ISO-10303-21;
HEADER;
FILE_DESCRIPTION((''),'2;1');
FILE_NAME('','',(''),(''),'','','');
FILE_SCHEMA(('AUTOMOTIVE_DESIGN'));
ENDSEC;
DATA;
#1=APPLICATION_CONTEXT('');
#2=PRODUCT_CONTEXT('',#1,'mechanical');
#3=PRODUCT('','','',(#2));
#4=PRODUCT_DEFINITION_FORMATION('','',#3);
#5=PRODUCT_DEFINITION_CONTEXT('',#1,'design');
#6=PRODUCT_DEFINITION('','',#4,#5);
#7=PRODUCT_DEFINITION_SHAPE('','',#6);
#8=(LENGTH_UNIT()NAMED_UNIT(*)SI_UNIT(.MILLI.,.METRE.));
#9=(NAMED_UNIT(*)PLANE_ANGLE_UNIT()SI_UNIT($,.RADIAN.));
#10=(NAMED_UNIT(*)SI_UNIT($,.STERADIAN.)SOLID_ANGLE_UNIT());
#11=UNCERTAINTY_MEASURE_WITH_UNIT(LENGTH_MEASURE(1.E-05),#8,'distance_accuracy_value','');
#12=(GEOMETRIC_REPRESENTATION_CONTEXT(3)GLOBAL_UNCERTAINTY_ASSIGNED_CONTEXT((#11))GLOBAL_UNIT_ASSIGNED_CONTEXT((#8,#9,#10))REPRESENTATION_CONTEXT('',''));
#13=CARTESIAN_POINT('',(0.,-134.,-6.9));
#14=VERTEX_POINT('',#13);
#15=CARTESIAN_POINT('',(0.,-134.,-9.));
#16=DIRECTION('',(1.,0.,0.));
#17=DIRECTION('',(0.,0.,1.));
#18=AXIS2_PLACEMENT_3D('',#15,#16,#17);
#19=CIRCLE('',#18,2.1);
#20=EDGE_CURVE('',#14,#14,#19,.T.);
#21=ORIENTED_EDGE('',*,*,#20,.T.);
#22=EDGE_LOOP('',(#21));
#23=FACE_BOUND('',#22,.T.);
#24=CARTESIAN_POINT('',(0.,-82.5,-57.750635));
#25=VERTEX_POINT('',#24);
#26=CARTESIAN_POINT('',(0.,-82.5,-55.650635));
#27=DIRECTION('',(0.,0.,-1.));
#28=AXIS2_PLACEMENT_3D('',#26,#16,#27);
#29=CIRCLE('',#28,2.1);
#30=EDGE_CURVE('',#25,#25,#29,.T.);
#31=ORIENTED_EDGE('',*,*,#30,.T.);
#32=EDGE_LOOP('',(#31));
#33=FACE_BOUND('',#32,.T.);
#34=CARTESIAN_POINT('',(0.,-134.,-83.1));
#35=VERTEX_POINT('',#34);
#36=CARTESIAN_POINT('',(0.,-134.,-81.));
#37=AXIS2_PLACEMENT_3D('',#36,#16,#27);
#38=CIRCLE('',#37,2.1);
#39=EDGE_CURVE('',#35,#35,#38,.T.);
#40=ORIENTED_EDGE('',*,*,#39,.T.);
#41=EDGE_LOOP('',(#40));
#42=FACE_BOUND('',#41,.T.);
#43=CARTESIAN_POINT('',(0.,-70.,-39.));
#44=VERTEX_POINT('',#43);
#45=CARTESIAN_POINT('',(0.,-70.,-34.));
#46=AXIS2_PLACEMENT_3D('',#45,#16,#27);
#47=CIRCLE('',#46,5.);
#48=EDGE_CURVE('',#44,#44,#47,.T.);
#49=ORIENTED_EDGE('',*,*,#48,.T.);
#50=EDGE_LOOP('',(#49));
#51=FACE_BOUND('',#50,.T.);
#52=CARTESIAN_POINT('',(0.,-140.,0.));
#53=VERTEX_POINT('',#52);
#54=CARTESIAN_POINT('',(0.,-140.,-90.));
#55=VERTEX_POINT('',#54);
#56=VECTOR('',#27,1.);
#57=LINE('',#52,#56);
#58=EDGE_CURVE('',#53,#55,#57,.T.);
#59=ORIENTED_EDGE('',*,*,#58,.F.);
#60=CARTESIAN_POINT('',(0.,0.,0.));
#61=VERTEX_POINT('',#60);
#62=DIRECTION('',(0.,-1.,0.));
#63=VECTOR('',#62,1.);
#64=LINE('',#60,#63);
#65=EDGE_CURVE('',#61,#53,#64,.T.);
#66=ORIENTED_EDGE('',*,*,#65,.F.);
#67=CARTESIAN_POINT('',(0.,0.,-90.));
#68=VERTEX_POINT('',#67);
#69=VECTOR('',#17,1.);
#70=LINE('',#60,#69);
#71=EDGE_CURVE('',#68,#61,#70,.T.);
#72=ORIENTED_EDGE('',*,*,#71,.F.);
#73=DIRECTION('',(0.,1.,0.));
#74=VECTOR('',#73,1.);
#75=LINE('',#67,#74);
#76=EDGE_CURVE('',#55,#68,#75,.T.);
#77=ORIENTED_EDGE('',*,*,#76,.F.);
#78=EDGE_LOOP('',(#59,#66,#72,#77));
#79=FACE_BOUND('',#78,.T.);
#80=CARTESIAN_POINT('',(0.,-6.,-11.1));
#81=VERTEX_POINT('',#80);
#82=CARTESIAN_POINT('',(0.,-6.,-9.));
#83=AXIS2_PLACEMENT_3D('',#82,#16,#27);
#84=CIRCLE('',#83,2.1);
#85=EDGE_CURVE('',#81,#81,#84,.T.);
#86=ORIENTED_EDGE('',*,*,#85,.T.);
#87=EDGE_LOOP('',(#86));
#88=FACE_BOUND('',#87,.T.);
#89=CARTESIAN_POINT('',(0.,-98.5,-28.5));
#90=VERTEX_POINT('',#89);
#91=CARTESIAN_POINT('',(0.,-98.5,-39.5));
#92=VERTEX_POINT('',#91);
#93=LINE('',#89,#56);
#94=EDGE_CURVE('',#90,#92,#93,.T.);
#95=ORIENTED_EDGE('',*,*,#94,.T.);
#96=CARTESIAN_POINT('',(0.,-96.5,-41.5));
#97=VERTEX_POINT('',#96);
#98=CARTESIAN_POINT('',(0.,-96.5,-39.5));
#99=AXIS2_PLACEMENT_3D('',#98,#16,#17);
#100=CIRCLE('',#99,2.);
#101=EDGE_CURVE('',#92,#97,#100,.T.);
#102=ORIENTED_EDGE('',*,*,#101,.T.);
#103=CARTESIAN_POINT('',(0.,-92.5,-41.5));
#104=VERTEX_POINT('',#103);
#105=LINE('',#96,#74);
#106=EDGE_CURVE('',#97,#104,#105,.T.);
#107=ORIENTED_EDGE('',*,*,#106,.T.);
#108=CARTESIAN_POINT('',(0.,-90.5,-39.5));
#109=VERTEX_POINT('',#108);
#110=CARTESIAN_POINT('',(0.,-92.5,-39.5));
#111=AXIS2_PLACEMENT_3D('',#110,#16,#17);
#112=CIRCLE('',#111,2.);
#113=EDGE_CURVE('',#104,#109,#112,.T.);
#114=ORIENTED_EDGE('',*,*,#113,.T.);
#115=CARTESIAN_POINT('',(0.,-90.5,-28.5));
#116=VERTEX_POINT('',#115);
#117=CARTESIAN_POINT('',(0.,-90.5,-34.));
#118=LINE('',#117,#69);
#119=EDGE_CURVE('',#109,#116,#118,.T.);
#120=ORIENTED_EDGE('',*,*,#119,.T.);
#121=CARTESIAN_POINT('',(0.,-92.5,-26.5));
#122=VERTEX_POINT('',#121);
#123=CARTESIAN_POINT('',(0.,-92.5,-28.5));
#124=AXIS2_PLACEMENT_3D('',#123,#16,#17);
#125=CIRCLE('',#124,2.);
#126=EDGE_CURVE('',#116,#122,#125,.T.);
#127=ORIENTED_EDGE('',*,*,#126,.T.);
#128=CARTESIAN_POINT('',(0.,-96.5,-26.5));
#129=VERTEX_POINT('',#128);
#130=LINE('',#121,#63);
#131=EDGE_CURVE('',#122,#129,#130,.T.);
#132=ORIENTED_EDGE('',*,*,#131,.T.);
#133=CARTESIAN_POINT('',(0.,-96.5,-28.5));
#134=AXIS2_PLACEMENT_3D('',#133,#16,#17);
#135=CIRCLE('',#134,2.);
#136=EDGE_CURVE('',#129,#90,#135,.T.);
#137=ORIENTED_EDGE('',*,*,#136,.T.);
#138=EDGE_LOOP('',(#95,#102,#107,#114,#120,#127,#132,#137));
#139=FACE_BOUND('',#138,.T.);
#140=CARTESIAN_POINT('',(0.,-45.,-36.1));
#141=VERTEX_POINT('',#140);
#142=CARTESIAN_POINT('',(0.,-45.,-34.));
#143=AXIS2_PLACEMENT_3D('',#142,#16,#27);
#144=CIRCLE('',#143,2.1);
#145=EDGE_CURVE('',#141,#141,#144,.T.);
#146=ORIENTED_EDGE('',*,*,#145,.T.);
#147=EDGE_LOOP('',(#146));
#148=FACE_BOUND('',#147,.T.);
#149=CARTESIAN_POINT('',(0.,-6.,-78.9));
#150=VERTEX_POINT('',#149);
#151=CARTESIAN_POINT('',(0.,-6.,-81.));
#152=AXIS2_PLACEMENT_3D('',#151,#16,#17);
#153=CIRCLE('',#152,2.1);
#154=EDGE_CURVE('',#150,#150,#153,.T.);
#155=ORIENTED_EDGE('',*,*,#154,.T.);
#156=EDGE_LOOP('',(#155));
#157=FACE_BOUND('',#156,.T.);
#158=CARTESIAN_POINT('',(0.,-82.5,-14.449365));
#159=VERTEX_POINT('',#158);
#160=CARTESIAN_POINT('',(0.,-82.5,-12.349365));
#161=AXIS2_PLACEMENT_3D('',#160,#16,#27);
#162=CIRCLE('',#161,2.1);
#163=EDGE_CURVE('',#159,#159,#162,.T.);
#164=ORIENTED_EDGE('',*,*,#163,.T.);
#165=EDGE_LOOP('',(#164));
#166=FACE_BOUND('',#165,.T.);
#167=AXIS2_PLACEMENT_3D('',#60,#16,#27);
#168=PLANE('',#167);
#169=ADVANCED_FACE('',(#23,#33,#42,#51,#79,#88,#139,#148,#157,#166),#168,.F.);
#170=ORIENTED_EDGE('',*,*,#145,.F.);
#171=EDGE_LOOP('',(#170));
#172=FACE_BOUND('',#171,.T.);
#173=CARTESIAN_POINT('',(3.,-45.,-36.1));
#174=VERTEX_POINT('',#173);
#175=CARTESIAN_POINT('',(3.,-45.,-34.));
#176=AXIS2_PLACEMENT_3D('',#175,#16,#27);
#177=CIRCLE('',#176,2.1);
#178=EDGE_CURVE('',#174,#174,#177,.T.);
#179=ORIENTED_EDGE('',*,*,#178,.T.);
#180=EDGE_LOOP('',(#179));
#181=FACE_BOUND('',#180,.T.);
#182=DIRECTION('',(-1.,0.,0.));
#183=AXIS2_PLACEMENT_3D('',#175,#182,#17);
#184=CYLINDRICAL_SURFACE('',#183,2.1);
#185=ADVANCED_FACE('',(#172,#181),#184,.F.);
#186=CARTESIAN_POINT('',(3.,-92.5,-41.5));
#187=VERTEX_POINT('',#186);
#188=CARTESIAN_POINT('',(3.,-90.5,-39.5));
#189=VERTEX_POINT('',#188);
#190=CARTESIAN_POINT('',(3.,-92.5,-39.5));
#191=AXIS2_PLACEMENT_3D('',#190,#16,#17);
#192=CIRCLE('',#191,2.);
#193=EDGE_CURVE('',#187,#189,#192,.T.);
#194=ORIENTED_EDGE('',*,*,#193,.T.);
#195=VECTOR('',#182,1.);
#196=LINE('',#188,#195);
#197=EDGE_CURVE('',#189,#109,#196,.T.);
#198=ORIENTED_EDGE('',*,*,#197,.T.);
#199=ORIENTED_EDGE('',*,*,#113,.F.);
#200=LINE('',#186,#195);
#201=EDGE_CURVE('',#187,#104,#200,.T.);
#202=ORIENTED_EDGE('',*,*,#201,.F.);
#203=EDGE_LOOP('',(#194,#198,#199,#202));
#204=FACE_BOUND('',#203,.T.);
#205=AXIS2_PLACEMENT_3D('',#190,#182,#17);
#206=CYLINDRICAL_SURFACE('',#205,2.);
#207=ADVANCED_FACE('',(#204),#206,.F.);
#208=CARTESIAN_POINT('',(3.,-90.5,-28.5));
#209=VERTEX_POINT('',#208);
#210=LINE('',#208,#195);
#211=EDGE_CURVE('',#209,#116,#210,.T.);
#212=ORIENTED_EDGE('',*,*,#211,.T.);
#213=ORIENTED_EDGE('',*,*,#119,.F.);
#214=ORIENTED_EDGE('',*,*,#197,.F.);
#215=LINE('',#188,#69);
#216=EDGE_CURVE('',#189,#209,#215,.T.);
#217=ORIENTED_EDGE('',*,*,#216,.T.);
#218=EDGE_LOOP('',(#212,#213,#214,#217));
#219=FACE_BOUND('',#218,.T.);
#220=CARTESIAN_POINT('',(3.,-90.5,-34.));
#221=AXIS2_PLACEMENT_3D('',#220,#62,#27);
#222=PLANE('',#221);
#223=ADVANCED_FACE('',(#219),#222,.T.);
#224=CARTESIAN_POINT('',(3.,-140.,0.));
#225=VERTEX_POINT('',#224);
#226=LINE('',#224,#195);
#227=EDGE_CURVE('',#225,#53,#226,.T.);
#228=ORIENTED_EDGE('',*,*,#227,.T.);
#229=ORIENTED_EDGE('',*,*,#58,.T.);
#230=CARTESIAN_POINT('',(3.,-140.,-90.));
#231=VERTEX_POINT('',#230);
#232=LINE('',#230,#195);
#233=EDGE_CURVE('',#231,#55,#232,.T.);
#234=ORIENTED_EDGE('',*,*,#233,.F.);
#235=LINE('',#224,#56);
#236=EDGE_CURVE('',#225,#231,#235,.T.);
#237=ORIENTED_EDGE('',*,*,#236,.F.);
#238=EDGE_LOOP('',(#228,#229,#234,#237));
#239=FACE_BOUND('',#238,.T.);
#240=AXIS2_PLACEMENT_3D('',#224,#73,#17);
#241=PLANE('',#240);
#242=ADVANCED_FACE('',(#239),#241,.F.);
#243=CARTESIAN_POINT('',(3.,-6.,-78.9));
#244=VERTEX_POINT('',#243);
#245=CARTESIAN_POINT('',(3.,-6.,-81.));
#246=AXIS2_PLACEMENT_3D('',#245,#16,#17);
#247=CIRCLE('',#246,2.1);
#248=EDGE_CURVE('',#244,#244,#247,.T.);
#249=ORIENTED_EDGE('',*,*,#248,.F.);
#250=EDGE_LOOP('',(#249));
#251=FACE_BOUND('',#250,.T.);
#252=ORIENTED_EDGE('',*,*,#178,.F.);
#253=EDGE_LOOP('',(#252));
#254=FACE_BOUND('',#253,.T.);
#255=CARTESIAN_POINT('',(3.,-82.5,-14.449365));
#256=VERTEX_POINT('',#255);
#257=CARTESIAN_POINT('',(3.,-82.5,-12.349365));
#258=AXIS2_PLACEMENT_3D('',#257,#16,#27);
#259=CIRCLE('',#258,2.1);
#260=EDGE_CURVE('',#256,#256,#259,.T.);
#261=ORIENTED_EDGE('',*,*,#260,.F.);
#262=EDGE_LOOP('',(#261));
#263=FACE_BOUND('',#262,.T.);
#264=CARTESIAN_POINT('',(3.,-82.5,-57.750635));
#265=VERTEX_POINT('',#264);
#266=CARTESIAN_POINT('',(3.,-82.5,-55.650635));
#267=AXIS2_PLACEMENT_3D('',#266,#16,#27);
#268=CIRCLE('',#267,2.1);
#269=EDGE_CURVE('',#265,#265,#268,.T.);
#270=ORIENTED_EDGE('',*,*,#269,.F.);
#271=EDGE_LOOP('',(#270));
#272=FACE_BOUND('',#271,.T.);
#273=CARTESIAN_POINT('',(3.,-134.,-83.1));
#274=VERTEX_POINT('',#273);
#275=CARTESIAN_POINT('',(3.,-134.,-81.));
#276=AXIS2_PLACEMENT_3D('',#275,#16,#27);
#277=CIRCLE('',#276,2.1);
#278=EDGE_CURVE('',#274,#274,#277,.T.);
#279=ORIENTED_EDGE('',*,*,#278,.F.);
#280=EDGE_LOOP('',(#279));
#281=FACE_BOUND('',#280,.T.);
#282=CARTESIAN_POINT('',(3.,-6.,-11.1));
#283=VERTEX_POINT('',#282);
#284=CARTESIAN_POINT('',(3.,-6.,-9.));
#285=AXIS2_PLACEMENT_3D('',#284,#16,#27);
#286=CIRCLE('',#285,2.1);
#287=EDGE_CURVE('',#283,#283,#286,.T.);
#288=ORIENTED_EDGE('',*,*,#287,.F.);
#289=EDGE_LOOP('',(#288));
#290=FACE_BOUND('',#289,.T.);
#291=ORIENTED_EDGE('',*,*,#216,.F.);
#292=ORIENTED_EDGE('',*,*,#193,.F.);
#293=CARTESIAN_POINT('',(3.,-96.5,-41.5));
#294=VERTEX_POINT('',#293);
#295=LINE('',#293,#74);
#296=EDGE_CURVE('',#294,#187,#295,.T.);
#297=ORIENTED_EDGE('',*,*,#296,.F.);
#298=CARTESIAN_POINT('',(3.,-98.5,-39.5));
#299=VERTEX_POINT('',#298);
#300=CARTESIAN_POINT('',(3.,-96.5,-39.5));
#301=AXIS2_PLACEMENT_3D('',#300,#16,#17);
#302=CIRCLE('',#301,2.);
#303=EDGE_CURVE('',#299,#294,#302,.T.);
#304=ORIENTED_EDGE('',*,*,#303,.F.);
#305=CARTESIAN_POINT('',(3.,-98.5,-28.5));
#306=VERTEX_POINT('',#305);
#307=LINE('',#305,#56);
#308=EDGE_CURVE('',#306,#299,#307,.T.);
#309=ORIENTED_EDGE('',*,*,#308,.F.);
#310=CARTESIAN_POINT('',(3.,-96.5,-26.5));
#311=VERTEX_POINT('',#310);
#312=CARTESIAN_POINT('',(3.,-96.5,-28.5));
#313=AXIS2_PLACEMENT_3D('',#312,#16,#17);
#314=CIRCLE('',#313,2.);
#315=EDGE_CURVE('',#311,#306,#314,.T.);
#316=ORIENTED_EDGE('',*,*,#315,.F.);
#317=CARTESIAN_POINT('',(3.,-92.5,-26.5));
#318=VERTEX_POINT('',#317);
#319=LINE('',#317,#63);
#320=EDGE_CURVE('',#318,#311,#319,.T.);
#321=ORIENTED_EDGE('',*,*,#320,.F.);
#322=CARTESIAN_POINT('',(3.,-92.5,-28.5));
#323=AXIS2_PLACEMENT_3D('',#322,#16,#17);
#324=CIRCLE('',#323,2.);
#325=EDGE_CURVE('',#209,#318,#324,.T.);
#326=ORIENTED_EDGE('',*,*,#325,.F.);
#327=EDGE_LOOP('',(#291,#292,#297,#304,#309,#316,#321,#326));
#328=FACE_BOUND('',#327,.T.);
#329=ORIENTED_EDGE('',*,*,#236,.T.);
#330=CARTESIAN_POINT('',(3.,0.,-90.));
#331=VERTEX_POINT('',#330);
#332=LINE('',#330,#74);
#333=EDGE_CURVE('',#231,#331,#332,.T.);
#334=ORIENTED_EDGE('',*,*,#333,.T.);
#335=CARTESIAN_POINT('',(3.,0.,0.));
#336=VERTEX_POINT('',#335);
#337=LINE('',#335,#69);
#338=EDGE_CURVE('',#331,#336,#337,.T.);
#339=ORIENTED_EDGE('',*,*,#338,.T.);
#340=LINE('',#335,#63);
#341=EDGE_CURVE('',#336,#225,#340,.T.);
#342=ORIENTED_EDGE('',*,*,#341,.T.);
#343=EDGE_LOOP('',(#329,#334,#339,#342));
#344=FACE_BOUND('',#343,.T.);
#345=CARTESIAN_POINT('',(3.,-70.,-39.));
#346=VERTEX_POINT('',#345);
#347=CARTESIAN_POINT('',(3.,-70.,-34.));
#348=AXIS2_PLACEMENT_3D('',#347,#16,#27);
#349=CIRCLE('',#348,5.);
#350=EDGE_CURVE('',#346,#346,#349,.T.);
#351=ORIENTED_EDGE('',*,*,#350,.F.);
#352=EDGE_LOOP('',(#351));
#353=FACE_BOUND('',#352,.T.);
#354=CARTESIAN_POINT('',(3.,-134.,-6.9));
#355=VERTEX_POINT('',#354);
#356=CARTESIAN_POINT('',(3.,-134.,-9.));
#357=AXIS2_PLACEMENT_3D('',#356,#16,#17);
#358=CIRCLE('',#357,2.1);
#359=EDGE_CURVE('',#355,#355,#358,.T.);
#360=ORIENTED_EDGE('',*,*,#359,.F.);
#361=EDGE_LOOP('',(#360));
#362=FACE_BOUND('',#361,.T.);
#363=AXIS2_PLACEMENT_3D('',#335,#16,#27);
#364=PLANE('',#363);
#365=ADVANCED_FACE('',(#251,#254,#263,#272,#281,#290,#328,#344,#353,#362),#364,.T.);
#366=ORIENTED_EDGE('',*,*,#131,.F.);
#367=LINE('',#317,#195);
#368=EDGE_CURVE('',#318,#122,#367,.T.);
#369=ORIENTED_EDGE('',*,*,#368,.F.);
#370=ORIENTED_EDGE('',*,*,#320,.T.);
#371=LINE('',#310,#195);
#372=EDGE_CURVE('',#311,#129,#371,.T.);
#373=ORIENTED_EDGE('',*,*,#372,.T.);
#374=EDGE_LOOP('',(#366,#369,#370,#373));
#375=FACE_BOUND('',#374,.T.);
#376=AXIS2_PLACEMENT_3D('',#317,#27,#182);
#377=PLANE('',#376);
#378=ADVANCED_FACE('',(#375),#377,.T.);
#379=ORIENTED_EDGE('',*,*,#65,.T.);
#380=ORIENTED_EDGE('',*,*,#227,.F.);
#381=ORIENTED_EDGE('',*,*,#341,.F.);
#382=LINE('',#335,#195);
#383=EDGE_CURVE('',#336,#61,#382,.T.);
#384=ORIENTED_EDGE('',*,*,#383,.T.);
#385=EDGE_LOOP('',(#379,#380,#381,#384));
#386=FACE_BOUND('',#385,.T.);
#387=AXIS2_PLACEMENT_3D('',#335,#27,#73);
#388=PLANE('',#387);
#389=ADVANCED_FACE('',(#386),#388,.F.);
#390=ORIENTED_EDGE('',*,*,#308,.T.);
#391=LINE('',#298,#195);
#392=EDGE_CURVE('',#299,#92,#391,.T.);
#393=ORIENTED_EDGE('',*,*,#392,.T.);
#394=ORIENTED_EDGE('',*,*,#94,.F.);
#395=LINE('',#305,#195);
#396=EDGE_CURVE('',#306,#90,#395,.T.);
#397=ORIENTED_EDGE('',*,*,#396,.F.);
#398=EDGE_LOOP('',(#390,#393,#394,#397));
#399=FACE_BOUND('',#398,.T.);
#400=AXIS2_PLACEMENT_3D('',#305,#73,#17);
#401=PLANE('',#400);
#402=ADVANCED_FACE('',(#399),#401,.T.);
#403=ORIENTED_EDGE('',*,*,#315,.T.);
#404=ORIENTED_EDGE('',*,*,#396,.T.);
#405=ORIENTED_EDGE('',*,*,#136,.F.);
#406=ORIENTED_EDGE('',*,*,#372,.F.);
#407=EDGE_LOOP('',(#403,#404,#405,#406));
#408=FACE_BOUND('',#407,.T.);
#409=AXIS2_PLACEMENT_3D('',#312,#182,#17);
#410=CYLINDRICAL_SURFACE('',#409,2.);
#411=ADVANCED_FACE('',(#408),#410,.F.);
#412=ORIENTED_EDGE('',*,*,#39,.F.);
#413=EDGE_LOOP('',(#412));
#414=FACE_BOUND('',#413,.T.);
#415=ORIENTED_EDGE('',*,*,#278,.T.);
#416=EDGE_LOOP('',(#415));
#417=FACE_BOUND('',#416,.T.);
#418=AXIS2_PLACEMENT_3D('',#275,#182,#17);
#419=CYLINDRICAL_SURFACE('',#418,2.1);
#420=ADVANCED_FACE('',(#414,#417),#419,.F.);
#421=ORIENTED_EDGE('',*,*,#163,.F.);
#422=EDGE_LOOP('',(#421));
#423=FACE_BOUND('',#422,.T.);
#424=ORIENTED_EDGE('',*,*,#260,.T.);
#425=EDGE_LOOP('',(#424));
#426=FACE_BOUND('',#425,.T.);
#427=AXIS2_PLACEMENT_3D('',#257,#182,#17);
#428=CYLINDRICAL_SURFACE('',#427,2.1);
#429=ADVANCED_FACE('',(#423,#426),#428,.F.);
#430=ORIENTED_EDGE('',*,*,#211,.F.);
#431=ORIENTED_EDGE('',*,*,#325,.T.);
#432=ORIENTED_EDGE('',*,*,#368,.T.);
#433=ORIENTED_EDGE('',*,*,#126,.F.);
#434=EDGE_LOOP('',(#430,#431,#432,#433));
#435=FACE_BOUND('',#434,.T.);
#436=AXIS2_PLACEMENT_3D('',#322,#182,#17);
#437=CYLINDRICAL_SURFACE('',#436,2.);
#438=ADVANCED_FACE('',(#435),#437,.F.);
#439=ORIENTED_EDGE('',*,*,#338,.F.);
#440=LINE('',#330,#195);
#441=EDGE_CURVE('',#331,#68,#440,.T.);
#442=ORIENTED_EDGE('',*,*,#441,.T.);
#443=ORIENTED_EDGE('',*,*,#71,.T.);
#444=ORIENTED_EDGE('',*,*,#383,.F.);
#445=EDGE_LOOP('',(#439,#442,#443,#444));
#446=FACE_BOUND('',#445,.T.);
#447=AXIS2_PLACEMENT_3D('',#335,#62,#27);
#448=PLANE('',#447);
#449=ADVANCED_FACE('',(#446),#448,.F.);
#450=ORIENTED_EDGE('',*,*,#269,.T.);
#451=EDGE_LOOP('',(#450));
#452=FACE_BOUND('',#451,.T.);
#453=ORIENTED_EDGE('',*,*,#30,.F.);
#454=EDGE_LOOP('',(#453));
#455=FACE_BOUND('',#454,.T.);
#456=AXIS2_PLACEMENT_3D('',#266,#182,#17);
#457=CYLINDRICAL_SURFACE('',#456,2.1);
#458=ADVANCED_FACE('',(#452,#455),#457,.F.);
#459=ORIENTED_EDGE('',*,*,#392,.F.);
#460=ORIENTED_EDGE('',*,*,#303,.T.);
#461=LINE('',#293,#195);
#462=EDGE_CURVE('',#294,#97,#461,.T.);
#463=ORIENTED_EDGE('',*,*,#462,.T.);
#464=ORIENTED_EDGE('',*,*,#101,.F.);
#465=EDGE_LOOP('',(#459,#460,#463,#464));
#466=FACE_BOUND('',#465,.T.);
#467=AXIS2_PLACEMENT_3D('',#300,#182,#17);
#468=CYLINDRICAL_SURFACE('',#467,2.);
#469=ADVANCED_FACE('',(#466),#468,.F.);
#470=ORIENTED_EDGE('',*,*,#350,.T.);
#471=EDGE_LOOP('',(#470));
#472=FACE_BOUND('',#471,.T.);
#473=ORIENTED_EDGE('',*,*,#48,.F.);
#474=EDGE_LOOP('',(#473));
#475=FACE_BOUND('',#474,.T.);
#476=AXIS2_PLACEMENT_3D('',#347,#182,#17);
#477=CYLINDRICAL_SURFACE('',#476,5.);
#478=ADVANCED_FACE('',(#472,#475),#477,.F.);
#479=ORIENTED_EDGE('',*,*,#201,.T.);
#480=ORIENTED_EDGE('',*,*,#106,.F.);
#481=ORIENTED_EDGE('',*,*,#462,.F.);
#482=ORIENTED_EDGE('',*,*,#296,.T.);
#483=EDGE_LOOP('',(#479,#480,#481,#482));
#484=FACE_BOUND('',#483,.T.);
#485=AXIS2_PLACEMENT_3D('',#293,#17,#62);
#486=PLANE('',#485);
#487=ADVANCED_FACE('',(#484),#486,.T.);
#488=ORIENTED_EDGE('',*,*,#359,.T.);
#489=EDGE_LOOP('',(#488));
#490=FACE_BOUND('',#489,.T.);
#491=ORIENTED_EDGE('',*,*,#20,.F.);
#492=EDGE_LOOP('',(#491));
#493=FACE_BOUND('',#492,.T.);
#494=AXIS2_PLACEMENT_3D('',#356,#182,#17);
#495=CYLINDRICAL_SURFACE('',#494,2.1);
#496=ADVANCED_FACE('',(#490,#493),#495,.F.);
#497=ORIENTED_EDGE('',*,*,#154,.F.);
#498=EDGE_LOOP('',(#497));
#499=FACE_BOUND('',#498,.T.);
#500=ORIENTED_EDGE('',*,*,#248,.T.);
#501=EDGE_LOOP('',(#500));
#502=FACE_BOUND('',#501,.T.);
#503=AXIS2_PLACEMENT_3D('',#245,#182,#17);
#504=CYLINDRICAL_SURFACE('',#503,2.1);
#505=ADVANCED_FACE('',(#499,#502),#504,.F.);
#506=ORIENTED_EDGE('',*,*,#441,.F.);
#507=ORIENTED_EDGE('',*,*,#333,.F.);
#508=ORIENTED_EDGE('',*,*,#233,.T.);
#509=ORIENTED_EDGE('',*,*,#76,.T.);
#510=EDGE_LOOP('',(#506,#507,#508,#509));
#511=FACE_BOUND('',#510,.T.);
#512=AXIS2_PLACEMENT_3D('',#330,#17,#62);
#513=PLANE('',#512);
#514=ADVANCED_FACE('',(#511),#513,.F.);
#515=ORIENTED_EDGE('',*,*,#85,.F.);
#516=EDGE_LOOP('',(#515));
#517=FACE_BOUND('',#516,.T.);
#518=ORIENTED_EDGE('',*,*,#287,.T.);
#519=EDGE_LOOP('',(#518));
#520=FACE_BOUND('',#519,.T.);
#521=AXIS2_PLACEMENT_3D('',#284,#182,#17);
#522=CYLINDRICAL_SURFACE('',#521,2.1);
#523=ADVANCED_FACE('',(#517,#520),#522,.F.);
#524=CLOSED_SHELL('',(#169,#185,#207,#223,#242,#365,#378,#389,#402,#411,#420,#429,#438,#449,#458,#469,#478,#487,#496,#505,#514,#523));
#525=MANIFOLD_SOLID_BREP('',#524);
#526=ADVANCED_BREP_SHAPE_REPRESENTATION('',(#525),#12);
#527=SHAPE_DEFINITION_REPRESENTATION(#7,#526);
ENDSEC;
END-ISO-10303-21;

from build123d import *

# Parameters (mm, degrees)
SKETCH1_W           = 90
SKETCH1_H           = 140
SKETCH1_R           = 5
SKETCH1_R_2         = 2.1
BOSS_EXTRUDE1_DEPTH = 3


with BuildPart() as part:
    # Sketch1 → Boss-Extrude1 (new body)
    with BuildSketch(Plane(origin=(0, 0, 0), x_dir=(0, 0, -1), z_dir=(1, 0, 0))):
        with Locations((45, -70)):
            Rectangle(SKETCH1_W, SKETCH1_H)
        with Locations((34, -70)):
            Circle(SKETCH1_R, mode=Mode.SUBTRACT)
        with Locations((34, -45)):
            Circle(SKETCH1_R_2, mode=Mode.SUBTRACT)
        with Locations((55.650635095, -82.5)):
            Circle(SKETCH1_R_2, mode=Mode.SUBTRACT)
        with Locations((12.349364905, -82.5)):
            Circle(SKETCH1_R_2, mode=Mode.SUBTRACT)
        with Locations((9, -6)):
            Circle(SKETCH1_R_2, mode=Mode.SUBTRACT)
        with Locations(Location((81, -6, 0), (0, 0, 180))):
            Circle(SKETCH1_R_2, mode=Mode.SUBTRACT)
        with Locations((81, -134)):
            Circle(SKETCH1_R_2, mode=Mode.SUBTRACT)
        with Locations(Location((9, -134, 0), (0, 0, 180))):
            Circle(SKETCH1_R_2, mode=Mode.SUBTRACT)
        with BuildLine():
            Line((34, -90.5), (28.5, -90.5))
            ThreePointArc((28.5, -90.5), (27.085786438, -91.085786438), (26.5, -92.5))
            Line((26.5, -92.5), (26.5, -96.5))
            ThreePointArc((26.5, -96.5), (27.085786438, -97.914213562), (28.5, -98.5))
            Line((28.5, -98.5), (39.5, -98.5))
            ThreePointArc((39.5, -98.5), (40.914213562, -97.914213562), (41.5, -96.5))
            Line((41.5, -96.5), (41.5, -92.5))
            ThreePointArc((41.5, -92.5), (40.914213562, -91.085786438), (39.5, -90.5))
            Line((39.5, -90.5), (34, -90.5))
        make_face(mode=Mode.SUBTRACT)
    extrude(amount=BOSS_EXTRUDE1_DEPTH)


solid = part.part
